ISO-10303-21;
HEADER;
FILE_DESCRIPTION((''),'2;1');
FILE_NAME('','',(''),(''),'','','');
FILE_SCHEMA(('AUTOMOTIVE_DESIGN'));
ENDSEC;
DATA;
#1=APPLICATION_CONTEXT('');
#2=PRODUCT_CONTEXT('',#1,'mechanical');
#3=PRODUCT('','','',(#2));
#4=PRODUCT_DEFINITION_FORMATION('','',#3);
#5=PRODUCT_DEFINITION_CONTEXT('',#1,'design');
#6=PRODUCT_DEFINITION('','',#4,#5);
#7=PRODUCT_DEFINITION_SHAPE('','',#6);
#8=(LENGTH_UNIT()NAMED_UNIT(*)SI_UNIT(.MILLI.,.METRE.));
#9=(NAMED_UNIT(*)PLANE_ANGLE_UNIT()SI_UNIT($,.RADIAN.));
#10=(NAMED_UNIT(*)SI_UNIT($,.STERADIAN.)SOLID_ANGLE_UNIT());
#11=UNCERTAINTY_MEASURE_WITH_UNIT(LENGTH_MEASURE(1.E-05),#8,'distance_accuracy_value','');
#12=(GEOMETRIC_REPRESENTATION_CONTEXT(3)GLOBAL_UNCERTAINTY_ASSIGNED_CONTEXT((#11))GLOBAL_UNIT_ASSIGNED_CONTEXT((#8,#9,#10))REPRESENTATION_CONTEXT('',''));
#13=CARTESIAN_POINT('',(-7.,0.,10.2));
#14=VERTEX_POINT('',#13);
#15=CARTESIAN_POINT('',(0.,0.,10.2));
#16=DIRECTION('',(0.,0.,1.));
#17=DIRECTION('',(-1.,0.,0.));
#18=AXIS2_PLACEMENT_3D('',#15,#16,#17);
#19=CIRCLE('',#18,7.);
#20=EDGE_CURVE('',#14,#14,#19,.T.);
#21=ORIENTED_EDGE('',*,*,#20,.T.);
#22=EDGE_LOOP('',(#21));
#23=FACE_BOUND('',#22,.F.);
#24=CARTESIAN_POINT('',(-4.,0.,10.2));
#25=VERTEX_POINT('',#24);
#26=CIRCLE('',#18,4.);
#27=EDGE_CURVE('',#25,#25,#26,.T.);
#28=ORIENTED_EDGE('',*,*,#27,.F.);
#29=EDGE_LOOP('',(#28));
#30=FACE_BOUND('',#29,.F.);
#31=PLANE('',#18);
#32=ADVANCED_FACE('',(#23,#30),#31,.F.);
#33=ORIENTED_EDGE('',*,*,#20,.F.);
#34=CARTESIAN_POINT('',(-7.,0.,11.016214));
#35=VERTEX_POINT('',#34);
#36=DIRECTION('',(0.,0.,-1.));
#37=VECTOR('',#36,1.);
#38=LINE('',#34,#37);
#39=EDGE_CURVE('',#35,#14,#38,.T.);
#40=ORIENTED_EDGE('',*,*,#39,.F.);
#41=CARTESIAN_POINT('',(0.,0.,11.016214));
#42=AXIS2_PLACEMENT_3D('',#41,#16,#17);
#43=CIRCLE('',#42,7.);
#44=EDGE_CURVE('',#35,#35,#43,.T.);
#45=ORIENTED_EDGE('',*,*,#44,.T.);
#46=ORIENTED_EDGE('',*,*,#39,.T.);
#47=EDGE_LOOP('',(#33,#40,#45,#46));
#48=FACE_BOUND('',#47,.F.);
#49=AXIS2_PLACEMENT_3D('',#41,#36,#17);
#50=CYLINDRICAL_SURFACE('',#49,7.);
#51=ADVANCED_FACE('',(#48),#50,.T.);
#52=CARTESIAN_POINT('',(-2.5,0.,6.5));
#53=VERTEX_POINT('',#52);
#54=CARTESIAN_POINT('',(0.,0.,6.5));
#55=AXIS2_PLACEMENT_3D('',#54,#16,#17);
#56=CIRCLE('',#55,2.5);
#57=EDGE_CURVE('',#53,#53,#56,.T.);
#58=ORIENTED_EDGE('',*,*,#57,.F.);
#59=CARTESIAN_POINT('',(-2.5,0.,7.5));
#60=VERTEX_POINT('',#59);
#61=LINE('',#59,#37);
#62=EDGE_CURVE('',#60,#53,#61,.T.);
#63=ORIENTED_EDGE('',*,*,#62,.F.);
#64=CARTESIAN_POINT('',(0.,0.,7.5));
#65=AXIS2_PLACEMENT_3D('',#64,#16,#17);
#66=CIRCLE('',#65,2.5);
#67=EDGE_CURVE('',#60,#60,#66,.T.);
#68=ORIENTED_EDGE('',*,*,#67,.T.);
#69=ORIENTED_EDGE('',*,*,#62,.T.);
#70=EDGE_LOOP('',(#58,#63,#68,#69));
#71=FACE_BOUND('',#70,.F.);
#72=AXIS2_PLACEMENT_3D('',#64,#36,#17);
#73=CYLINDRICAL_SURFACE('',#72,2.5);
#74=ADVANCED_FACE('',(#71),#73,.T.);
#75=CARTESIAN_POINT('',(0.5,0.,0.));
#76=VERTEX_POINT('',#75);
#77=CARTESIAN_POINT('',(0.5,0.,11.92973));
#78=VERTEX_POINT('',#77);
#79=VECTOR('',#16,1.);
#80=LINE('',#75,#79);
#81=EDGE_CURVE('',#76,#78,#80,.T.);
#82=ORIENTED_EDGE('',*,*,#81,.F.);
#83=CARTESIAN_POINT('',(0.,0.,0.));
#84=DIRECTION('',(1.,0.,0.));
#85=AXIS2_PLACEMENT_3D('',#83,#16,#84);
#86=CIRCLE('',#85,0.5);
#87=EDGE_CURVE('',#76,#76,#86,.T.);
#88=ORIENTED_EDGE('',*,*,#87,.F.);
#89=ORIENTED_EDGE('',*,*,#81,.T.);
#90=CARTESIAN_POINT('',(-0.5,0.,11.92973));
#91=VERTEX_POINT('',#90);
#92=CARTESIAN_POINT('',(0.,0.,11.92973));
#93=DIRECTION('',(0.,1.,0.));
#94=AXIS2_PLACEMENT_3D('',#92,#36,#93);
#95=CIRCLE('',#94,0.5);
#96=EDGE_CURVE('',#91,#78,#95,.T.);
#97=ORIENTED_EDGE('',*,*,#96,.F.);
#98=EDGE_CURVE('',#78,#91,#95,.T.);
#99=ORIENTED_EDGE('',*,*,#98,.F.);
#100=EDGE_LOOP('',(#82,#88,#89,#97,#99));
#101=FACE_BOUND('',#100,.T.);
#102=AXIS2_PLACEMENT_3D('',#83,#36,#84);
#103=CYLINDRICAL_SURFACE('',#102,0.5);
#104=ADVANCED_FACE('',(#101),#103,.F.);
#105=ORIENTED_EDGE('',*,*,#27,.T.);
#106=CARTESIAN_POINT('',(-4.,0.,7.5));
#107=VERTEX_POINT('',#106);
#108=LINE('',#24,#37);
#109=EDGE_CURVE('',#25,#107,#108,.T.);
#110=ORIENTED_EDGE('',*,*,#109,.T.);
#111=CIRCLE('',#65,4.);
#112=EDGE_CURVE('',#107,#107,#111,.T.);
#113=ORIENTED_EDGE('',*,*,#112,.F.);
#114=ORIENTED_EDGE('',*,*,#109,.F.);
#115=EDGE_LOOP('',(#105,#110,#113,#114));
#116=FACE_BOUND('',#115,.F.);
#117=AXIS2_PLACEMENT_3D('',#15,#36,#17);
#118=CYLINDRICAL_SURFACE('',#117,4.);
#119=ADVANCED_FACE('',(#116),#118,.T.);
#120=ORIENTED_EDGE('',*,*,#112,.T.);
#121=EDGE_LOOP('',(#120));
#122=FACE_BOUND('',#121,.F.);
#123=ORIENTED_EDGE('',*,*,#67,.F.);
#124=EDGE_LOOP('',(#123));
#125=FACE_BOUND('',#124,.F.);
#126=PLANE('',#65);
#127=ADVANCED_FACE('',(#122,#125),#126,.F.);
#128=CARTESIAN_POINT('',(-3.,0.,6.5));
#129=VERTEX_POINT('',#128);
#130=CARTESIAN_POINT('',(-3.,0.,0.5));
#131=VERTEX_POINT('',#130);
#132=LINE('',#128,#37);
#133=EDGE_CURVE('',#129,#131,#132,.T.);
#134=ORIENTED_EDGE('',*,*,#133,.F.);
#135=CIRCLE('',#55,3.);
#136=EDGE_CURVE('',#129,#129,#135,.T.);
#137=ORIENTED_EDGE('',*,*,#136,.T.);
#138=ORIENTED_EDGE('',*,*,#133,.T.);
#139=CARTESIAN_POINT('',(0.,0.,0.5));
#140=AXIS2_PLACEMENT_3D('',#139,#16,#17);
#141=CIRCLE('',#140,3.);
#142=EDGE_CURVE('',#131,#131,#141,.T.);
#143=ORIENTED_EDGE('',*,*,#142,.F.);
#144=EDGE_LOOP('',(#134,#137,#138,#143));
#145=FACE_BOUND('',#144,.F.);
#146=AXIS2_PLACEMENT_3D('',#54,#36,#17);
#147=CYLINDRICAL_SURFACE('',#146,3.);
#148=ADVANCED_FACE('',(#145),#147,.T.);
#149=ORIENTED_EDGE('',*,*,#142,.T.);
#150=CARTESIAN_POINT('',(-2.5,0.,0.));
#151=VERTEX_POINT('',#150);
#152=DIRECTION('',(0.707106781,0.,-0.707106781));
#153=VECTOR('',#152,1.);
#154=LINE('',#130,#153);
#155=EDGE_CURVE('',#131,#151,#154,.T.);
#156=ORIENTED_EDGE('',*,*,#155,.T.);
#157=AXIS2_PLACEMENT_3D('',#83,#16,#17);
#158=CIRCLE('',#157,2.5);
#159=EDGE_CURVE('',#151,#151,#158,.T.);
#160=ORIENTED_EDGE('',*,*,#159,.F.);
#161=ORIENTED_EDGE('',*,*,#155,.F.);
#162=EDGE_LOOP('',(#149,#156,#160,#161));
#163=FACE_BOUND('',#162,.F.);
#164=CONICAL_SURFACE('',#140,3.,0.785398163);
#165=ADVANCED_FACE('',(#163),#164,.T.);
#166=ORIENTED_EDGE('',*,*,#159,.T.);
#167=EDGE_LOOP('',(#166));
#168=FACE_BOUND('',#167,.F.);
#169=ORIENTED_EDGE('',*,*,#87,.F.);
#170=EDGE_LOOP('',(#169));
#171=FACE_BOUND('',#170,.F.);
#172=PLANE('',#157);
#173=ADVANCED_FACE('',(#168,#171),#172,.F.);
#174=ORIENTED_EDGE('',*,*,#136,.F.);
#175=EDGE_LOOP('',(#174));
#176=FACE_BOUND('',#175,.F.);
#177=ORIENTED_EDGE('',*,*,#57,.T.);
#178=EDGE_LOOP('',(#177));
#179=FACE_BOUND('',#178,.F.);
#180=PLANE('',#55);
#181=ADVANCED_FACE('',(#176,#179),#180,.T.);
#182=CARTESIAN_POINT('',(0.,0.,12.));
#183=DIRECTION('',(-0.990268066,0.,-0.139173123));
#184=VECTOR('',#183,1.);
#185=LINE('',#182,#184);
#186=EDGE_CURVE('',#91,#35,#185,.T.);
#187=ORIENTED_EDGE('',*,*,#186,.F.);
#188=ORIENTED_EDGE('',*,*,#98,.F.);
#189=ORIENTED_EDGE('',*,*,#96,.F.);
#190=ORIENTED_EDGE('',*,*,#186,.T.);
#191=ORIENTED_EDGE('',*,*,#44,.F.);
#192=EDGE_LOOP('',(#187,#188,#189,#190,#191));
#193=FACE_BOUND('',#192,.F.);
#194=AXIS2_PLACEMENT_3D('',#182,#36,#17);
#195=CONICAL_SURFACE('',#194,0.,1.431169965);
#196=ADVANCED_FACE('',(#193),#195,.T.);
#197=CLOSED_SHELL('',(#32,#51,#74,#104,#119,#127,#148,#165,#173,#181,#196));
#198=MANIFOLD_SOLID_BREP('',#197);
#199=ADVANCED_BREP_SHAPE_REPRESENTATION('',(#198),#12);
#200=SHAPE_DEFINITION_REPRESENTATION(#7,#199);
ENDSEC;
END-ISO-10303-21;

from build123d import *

# Parameters (mm, degrees)
F2_R     = 0.5
F3_DEPTH = 25


with BuildPart() as f1:
    # F0 (on Front) → F1 (revolve)
    with BuildSketch(Plane.XZ):
        Polygon((0, 0), (0, 12), (-7, 11.016214), (-7, 10.2), (-4, 10.2), (-4, 7.5), (-2.5, 7.5), (-2.5, 6.5), (-3, 6.5), (-3, 0.5), (-2.5, 0), align=None)
    revolve(axis=Axis((0, 0, 6), (0, 0, 1)))

    # F2 (on Top) → F3 (cut)
    with BuildSketch(Plane.XY):
        Circle(F2_R)
    extrude(amount=F3_DEPTH, mode=Mode.SUBTRACT)


solid = f1.part
